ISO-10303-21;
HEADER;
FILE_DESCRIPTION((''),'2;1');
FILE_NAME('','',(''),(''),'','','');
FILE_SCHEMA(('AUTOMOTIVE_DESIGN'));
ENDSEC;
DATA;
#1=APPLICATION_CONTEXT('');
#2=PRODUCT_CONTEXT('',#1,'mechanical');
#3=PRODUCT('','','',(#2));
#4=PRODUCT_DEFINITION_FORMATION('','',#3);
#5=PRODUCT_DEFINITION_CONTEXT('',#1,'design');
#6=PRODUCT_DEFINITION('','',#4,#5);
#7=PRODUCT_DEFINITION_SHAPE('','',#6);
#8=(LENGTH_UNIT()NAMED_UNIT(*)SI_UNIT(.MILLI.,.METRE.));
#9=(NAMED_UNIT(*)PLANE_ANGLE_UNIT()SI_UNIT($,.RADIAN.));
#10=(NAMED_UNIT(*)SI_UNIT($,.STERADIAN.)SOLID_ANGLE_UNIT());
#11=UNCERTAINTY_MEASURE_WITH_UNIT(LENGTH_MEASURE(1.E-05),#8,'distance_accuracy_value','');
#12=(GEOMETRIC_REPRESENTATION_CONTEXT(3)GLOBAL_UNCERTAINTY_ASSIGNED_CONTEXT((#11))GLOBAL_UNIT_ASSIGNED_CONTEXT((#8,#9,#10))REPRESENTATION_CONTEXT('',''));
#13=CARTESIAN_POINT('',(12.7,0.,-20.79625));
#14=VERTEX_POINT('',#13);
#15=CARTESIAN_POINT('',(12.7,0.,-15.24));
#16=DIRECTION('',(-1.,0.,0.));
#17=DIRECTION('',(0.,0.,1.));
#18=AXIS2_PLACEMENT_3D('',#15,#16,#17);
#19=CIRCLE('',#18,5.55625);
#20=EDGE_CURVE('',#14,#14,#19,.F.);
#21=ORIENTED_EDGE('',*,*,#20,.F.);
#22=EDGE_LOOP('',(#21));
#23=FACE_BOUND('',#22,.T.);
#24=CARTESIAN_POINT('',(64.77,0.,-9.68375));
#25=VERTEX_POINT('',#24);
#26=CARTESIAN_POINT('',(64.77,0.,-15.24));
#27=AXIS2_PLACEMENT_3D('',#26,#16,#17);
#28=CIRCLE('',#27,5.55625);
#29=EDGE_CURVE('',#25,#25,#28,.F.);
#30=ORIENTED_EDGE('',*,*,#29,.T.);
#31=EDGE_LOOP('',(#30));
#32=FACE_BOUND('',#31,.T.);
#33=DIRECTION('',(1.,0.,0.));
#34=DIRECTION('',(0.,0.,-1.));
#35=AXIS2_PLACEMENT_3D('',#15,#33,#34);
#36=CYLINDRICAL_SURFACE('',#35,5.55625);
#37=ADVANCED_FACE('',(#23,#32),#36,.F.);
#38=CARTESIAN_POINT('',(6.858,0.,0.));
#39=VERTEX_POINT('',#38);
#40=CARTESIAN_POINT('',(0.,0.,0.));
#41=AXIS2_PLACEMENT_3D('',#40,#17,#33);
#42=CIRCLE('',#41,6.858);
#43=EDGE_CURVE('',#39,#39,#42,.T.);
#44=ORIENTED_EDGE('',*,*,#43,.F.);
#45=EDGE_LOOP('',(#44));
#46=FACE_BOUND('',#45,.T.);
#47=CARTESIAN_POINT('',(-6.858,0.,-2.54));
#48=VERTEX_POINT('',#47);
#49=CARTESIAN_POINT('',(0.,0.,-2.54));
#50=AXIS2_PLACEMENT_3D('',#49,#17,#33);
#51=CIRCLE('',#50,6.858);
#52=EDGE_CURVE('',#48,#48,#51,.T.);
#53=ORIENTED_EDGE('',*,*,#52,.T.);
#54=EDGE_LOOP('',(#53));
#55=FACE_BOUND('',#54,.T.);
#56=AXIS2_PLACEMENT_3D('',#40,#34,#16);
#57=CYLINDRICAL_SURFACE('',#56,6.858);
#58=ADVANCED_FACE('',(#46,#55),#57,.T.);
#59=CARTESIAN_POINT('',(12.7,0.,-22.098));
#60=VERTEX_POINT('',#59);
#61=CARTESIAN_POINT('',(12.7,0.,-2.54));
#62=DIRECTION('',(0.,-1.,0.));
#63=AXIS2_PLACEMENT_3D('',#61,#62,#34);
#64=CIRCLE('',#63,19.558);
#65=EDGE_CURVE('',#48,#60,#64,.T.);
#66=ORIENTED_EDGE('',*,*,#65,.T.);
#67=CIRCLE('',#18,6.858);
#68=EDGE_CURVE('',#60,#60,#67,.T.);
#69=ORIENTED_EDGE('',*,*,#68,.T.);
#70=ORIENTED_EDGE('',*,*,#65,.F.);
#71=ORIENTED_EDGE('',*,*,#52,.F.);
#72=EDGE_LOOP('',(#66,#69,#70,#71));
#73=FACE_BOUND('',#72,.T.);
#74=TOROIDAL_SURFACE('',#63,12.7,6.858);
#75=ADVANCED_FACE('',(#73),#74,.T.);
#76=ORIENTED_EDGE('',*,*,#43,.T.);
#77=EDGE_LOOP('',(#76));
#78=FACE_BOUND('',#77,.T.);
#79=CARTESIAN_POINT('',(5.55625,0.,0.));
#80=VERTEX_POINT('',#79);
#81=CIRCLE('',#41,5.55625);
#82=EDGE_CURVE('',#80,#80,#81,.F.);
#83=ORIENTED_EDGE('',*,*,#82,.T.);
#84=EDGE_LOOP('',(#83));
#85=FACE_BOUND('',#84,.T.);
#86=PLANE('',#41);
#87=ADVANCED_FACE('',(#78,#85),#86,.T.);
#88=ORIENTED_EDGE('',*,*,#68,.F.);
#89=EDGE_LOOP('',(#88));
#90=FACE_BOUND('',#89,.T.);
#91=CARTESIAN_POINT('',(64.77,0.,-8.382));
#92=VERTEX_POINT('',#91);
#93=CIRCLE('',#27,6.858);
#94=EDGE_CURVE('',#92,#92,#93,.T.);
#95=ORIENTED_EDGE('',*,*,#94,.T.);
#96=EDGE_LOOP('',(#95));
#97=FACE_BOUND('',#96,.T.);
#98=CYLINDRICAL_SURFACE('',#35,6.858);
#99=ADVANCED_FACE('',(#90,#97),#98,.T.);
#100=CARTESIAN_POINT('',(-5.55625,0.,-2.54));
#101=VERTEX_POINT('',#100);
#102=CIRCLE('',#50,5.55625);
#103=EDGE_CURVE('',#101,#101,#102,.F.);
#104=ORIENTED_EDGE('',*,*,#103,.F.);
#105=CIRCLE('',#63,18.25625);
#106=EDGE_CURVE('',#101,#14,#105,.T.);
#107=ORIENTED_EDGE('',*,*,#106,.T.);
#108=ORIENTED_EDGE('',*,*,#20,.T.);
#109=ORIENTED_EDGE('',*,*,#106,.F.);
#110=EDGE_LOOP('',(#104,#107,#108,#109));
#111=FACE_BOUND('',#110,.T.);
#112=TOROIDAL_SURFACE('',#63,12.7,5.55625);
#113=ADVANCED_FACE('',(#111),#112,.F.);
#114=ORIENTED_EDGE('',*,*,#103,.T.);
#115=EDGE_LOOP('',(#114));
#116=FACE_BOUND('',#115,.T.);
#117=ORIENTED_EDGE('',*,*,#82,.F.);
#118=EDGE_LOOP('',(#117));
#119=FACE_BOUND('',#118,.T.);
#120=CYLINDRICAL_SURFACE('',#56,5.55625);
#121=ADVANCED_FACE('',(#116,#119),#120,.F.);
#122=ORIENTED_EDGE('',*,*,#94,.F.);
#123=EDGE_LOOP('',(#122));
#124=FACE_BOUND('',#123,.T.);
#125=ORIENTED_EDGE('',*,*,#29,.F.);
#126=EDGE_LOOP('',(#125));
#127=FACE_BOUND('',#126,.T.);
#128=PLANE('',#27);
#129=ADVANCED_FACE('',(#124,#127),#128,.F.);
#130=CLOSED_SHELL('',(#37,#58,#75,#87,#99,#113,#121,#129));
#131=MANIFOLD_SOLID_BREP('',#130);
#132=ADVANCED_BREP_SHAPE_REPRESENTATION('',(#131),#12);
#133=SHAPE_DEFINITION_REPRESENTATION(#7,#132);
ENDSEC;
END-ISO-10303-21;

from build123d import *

# Parameters (mm, degrees)
SKETCH1_R   = 6.858
SKETCH1_R_2 = 5.55625


with BuildPart() as part:
    # Sweep1: sweep along a path in Sketch2
    with BuildLine(Plane(origin=(0, 0, 0), x_dir=(1, 0, 0), z_dir=(0, 1, 0))) as sweep1_path:
        Line((0, 0), (0, 2.54))
        ThreePointArc((0, 2.54), (3.719743879, 11.520256121), (12.7, 15.24))
        Line((12.7, 15.24), (64.77, 15.24))
    # Sketch1 → Sweep1 (sweep)
    with BuildSketch(Plane.XY):
        Circle(SKETCH1_R)
        Circle(SKETCH1_R_2, mode=Mode.SUBTRACT)
    sweep(path=sweep1_path.line)


solid = part.part
